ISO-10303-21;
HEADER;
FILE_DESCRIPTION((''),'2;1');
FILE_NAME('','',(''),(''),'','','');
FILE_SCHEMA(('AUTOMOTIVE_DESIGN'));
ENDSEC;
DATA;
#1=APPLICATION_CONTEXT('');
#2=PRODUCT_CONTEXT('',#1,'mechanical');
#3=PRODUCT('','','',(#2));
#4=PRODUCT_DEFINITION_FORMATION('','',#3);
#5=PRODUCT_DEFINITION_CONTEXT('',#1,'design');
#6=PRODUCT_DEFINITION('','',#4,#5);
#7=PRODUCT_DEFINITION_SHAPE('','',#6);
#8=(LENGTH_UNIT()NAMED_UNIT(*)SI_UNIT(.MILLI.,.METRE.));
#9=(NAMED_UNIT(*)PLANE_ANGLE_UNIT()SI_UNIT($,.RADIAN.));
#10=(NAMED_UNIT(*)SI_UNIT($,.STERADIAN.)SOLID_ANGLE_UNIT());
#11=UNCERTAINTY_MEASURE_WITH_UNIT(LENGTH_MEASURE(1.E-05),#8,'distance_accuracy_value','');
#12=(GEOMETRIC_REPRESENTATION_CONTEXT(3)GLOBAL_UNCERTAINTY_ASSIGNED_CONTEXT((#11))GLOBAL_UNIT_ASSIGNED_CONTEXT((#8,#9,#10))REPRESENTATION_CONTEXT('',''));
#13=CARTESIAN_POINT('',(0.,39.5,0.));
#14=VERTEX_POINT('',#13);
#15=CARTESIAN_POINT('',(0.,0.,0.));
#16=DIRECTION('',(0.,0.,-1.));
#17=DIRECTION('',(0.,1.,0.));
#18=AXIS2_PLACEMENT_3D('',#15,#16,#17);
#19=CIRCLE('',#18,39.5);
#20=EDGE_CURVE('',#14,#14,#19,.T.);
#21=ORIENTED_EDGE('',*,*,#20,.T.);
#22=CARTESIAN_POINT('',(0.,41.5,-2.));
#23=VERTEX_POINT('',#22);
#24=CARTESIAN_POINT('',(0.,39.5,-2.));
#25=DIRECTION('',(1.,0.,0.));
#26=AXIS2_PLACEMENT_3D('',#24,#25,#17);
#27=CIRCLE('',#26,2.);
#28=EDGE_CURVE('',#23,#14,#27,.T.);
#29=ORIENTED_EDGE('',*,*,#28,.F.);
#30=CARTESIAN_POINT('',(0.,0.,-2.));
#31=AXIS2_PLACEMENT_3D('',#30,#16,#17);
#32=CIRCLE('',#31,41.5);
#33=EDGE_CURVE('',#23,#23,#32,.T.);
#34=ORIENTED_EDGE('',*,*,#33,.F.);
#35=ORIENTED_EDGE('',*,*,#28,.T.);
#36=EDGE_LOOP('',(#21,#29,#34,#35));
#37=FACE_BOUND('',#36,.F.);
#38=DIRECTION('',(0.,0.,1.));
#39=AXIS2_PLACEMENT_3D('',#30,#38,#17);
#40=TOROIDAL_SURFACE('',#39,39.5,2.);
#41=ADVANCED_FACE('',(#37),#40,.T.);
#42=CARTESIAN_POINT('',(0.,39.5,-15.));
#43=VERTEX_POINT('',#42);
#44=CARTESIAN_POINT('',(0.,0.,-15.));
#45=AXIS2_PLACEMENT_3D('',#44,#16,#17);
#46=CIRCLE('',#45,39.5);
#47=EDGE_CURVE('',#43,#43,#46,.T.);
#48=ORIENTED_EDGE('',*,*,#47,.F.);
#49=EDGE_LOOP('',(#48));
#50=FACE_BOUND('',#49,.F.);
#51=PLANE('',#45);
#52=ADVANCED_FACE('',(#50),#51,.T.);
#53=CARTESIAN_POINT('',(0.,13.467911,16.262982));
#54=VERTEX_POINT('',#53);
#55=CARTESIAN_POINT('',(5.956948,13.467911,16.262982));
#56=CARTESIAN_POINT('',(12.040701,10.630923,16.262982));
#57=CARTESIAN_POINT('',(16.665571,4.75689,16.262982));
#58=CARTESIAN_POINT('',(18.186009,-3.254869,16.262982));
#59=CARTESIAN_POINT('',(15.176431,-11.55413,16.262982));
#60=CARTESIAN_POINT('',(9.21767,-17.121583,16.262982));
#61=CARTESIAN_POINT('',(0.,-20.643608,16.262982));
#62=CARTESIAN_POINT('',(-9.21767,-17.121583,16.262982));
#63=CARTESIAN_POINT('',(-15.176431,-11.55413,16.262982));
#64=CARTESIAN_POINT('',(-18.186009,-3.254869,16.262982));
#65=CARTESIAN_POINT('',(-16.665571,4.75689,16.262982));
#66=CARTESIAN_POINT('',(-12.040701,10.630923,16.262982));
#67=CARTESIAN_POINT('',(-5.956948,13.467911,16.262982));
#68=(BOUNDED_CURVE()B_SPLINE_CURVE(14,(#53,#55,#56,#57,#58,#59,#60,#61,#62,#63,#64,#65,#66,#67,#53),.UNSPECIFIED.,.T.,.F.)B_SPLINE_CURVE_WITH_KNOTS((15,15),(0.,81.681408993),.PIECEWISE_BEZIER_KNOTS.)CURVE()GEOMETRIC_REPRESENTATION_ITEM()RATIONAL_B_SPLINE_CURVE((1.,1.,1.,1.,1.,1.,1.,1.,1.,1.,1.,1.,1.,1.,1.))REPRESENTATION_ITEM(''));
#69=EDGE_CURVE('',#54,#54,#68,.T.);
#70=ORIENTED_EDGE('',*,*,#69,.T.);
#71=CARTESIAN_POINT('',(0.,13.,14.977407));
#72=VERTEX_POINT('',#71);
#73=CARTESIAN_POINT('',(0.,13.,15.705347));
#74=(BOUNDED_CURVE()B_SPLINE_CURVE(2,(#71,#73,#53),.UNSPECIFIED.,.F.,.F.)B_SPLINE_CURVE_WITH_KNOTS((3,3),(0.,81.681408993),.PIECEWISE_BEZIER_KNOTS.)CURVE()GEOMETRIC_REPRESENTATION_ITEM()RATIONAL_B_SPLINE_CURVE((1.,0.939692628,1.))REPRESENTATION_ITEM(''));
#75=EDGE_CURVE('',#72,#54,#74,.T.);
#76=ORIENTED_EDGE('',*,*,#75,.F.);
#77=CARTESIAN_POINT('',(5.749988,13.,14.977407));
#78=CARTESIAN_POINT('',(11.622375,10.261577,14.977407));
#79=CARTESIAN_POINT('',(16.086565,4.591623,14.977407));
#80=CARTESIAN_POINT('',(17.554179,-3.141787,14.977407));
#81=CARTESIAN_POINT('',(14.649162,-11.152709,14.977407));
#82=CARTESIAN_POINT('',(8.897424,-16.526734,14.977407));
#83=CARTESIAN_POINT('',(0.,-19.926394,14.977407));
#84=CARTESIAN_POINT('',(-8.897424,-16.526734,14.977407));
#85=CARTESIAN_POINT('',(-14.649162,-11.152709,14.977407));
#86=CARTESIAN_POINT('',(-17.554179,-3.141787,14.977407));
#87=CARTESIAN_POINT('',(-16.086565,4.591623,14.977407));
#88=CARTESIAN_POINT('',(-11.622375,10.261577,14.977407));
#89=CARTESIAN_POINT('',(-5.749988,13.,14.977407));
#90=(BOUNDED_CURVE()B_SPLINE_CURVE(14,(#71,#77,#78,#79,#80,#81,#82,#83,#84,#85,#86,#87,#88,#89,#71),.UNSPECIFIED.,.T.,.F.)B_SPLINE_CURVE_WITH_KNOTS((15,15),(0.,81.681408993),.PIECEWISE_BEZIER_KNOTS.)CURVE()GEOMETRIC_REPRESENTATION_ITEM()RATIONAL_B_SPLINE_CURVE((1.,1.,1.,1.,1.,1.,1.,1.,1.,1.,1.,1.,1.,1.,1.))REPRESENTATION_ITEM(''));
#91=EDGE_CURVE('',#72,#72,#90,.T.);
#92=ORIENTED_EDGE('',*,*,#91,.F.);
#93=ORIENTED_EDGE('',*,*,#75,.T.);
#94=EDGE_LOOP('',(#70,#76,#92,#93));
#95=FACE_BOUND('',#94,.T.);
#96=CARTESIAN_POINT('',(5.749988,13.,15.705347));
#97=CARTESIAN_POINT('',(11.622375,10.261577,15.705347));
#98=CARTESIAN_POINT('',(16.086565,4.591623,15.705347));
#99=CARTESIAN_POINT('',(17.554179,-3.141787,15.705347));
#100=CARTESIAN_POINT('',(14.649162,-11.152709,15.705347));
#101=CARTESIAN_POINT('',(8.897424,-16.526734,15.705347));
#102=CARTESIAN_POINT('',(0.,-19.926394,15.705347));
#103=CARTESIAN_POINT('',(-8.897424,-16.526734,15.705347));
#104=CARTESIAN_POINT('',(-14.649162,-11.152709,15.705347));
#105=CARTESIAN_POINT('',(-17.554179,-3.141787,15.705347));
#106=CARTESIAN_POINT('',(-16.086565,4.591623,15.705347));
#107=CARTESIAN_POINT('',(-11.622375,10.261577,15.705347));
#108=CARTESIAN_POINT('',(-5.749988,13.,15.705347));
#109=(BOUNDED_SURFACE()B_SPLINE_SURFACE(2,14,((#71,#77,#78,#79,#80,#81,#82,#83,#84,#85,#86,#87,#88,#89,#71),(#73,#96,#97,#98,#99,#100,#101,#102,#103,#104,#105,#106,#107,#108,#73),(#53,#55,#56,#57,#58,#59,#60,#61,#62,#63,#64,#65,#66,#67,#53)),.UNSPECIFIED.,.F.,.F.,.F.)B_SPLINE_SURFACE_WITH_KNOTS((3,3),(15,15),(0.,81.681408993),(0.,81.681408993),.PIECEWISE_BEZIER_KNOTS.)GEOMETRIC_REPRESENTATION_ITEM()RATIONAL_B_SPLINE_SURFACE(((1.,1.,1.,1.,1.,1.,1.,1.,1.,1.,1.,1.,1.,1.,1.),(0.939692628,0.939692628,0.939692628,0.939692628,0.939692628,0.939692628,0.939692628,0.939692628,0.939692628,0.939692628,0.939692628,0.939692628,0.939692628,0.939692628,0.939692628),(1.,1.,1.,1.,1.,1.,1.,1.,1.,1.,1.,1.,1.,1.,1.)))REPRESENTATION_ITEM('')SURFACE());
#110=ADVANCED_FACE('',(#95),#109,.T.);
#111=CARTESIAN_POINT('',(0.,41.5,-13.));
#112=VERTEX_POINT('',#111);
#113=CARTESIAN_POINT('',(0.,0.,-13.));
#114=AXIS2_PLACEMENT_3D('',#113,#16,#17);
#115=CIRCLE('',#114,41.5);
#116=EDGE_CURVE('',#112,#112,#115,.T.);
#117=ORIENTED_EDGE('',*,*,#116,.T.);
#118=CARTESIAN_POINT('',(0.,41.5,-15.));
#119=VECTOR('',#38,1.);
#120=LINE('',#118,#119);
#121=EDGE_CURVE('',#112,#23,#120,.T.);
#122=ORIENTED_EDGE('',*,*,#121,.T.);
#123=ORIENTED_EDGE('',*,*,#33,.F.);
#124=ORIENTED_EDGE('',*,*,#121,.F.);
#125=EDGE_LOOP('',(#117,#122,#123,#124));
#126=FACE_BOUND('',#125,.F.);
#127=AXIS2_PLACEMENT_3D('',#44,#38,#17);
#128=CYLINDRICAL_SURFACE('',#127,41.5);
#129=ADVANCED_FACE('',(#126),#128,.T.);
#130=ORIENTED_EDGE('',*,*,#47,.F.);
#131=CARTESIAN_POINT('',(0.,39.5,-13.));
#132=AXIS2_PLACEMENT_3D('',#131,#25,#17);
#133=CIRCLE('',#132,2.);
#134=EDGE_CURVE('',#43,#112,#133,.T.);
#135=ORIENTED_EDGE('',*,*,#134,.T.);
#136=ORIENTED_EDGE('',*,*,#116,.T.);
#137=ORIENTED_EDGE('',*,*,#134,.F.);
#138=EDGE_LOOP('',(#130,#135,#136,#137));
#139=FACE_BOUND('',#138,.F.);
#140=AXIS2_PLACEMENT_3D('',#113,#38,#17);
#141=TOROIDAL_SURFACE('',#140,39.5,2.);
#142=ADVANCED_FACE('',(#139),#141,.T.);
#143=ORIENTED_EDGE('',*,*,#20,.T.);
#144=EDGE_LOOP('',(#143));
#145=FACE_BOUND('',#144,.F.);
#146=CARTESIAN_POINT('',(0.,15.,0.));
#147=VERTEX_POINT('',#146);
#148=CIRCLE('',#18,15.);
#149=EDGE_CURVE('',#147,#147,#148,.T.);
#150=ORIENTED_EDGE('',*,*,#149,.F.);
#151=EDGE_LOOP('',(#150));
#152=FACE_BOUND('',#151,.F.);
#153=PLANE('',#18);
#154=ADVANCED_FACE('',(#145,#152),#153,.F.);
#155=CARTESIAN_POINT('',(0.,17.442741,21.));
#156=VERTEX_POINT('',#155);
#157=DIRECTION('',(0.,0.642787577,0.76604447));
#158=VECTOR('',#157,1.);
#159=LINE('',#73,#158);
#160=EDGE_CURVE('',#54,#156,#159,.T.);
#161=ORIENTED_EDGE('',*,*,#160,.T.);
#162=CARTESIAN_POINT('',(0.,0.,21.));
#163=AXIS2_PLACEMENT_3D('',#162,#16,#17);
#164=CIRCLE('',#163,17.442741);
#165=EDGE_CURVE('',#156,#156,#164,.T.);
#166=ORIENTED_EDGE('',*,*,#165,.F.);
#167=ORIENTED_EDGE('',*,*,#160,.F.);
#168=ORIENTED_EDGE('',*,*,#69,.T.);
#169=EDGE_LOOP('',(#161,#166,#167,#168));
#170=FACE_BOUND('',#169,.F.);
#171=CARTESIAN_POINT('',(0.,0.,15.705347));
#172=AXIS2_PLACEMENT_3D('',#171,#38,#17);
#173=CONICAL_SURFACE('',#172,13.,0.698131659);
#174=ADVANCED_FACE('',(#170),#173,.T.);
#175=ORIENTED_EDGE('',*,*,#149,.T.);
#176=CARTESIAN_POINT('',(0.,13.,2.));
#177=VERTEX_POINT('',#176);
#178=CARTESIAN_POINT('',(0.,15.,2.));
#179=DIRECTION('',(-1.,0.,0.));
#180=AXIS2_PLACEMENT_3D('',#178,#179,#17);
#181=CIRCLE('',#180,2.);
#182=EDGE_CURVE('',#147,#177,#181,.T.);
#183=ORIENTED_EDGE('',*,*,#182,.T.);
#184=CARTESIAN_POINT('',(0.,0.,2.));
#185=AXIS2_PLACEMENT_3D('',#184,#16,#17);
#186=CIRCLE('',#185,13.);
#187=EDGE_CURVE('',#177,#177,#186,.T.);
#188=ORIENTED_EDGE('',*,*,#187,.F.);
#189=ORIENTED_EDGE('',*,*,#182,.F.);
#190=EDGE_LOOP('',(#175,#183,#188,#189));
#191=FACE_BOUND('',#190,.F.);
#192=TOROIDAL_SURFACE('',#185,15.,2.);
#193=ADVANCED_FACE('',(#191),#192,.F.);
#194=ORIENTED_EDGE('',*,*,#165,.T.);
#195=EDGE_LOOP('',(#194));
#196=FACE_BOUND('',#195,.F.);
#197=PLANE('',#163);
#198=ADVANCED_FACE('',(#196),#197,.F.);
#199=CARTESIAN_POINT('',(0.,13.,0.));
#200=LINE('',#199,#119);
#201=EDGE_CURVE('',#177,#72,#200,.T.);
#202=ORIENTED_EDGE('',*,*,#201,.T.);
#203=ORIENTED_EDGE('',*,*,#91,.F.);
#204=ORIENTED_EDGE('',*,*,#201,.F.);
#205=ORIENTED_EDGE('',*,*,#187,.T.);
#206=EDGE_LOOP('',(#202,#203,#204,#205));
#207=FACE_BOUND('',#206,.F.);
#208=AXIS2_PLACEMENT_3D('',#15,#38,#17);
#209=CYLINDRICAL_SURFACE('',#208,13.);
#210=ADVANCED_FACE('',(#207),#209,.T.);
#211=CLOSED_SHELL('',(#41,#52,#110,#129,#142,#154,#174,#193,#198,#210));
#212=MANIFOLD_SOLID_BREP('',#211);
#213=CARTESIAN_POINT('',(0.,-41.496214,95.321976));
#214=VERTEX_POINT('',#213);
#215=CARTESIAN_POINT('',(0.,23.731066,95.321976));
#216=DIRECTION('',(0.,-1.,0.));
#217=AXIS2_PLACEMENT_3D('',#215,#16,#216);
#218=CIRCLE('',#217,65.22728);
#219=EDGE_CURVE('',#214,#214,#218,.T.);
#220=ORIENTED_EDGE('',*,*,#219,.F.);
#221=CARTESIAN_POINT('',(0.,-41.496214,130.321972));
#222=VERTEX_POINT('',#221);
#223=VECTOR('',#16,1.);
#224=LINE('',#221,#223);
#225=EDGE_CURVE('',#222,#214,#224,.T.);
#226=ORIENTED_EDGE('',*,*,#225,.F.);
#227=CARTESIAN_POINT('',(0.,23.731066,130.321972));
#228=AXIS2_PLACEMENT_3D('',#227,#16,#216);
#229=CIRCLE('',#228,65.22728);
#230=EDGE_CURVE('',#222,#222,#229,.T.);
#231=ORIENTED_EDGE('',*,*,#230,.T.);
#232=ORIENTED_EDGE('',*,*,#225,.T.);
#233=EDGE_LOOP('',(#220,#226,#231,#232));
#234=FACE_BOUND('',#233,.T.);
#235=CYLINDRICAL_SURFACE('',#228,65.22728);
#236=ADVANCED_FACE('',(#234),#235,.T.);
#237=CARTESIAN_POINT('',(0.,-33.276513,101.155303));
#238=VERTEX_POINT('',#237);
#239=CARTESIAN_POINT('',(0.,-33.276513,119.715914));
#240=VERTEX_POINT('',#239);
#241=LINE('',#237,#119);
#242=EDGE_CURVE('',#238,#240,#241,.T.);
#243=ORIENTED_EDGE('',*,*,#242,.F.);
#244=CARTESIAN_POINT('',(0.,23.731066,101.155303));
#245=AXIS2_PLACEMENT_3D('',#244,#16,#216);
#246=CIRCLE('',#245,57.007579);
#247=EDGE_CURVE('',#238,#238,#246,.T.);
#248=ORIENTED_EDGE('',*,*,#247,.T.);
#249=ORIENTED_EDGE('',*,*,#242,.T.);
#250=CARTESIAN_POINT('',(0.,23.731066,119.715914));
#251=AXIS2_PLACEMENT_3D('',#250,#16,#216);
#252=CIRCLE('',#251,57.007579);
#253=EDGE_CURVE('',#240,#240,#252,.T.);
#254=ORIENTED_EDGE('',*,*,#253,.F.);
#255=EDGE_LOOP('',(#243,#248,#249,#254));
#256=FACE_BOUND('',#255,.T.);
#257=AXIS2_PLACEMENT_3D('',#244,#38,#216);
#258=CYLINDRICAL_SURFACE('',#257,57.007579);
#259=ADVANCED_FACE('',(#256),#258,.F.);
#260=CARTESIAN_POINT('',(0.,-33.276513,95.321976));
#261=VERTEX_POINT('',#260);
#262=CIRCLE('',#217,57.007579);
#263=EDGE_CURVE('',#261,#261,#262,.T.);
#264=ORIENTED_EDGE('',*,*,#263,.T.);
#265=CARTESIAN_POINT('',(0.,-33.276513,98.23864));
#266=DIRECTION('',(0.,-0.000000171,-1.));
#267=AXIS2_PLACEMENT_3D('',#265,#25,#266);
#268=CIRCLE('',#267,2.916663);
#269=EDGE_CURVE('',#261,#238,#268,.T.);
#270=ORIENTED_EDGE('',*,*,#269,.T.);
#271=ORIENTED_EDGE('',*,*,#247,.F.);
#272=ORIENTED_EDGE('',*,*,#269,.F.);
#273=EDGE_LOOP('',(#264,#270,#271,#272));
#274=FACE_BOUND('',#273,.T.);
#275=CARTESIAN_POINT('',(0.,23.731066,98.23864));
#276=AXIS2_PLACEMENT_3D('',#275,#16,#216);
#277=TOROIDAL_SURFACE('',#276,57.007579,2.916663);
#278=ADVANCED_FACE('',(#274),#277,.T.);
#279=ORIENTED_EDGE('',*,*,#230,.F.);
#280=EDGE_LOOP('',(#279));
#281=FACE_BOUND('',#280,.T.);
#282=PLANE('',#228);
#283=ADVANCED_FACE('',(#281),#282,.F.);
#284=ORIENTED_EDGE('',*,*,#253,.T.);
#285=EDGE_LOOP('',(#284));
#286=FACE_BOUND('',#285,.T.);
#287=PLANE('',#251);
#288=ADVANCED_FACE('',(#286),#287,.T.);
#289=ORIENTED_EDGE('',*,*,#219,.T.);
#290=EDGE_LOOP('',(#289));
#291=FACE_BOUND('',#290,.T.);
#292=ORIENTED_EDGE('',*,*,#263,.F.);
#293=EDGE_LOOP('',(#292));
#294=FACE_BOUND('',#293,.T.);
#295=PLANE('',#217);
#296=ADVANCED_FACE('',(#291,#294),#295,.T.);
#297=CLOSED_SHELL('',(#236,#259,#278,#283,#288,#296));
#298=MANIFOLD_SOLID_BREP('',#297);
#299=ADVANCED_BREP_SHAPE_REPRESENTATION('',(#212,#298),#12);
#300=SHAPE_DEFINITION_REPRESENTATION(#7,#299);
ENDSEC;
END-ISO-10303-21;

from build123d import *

# Parameters (mm, degrees)
F2_R = 2


with BuildPart() as f1:
    # F0 (on Right) → F1 (revolve)
    with BuildSketch(Plane.YZ):
        Polygon((0, 21), (0, 0), (0, -15), (41.5, -15), (41.5, 0), (13, 0), (13, 15.705347), (17.442741, 21), align=None)
    revolve(axis=Axis((0, 0, -22.632297), (0, 0, -1)))

    # F2
    f2_edges = [f1.edges().sort_by_distance(p)[0] for p in [
        (0, -41.5, 0),
        (0, -13, 15.705347),
        (0, -13, 0),
        (0, -41.5, -15),
    ]]
    fillet(f2_edges, radius=F2_R)


with BuildPart() as f4:
    # F3 (on Right) → F4 (revolve)
    with BuildSketch(Plane.YZ):
        with BuildLine():
            Line((23.731066, 119.715914), (23.731066, 130.321972))
            Line((23.731066, 130.321972), (-41.496214, 130.321972))
            Line((-41.496214, 130.321972), (-41.496214, 95.321976))
            Line((-41.496214, 95.321976), (-33.276513, 95.321976))
            ThreePointArc((-33.276513, 95.321976), (-30.359849, 98.23864), (-33.276513, 101.155303))
            Line((-33.276513, 101.155303), (-33.276513, 119.715914))
            Line((-33.276513, 119.715914), (23.731066, 119.715914))
        make_face()
    revolve(axis=Axis((0, 23.731066, 125.018943), (0, 0, -1)))


solid = Compound([f1.part, f4.part])
